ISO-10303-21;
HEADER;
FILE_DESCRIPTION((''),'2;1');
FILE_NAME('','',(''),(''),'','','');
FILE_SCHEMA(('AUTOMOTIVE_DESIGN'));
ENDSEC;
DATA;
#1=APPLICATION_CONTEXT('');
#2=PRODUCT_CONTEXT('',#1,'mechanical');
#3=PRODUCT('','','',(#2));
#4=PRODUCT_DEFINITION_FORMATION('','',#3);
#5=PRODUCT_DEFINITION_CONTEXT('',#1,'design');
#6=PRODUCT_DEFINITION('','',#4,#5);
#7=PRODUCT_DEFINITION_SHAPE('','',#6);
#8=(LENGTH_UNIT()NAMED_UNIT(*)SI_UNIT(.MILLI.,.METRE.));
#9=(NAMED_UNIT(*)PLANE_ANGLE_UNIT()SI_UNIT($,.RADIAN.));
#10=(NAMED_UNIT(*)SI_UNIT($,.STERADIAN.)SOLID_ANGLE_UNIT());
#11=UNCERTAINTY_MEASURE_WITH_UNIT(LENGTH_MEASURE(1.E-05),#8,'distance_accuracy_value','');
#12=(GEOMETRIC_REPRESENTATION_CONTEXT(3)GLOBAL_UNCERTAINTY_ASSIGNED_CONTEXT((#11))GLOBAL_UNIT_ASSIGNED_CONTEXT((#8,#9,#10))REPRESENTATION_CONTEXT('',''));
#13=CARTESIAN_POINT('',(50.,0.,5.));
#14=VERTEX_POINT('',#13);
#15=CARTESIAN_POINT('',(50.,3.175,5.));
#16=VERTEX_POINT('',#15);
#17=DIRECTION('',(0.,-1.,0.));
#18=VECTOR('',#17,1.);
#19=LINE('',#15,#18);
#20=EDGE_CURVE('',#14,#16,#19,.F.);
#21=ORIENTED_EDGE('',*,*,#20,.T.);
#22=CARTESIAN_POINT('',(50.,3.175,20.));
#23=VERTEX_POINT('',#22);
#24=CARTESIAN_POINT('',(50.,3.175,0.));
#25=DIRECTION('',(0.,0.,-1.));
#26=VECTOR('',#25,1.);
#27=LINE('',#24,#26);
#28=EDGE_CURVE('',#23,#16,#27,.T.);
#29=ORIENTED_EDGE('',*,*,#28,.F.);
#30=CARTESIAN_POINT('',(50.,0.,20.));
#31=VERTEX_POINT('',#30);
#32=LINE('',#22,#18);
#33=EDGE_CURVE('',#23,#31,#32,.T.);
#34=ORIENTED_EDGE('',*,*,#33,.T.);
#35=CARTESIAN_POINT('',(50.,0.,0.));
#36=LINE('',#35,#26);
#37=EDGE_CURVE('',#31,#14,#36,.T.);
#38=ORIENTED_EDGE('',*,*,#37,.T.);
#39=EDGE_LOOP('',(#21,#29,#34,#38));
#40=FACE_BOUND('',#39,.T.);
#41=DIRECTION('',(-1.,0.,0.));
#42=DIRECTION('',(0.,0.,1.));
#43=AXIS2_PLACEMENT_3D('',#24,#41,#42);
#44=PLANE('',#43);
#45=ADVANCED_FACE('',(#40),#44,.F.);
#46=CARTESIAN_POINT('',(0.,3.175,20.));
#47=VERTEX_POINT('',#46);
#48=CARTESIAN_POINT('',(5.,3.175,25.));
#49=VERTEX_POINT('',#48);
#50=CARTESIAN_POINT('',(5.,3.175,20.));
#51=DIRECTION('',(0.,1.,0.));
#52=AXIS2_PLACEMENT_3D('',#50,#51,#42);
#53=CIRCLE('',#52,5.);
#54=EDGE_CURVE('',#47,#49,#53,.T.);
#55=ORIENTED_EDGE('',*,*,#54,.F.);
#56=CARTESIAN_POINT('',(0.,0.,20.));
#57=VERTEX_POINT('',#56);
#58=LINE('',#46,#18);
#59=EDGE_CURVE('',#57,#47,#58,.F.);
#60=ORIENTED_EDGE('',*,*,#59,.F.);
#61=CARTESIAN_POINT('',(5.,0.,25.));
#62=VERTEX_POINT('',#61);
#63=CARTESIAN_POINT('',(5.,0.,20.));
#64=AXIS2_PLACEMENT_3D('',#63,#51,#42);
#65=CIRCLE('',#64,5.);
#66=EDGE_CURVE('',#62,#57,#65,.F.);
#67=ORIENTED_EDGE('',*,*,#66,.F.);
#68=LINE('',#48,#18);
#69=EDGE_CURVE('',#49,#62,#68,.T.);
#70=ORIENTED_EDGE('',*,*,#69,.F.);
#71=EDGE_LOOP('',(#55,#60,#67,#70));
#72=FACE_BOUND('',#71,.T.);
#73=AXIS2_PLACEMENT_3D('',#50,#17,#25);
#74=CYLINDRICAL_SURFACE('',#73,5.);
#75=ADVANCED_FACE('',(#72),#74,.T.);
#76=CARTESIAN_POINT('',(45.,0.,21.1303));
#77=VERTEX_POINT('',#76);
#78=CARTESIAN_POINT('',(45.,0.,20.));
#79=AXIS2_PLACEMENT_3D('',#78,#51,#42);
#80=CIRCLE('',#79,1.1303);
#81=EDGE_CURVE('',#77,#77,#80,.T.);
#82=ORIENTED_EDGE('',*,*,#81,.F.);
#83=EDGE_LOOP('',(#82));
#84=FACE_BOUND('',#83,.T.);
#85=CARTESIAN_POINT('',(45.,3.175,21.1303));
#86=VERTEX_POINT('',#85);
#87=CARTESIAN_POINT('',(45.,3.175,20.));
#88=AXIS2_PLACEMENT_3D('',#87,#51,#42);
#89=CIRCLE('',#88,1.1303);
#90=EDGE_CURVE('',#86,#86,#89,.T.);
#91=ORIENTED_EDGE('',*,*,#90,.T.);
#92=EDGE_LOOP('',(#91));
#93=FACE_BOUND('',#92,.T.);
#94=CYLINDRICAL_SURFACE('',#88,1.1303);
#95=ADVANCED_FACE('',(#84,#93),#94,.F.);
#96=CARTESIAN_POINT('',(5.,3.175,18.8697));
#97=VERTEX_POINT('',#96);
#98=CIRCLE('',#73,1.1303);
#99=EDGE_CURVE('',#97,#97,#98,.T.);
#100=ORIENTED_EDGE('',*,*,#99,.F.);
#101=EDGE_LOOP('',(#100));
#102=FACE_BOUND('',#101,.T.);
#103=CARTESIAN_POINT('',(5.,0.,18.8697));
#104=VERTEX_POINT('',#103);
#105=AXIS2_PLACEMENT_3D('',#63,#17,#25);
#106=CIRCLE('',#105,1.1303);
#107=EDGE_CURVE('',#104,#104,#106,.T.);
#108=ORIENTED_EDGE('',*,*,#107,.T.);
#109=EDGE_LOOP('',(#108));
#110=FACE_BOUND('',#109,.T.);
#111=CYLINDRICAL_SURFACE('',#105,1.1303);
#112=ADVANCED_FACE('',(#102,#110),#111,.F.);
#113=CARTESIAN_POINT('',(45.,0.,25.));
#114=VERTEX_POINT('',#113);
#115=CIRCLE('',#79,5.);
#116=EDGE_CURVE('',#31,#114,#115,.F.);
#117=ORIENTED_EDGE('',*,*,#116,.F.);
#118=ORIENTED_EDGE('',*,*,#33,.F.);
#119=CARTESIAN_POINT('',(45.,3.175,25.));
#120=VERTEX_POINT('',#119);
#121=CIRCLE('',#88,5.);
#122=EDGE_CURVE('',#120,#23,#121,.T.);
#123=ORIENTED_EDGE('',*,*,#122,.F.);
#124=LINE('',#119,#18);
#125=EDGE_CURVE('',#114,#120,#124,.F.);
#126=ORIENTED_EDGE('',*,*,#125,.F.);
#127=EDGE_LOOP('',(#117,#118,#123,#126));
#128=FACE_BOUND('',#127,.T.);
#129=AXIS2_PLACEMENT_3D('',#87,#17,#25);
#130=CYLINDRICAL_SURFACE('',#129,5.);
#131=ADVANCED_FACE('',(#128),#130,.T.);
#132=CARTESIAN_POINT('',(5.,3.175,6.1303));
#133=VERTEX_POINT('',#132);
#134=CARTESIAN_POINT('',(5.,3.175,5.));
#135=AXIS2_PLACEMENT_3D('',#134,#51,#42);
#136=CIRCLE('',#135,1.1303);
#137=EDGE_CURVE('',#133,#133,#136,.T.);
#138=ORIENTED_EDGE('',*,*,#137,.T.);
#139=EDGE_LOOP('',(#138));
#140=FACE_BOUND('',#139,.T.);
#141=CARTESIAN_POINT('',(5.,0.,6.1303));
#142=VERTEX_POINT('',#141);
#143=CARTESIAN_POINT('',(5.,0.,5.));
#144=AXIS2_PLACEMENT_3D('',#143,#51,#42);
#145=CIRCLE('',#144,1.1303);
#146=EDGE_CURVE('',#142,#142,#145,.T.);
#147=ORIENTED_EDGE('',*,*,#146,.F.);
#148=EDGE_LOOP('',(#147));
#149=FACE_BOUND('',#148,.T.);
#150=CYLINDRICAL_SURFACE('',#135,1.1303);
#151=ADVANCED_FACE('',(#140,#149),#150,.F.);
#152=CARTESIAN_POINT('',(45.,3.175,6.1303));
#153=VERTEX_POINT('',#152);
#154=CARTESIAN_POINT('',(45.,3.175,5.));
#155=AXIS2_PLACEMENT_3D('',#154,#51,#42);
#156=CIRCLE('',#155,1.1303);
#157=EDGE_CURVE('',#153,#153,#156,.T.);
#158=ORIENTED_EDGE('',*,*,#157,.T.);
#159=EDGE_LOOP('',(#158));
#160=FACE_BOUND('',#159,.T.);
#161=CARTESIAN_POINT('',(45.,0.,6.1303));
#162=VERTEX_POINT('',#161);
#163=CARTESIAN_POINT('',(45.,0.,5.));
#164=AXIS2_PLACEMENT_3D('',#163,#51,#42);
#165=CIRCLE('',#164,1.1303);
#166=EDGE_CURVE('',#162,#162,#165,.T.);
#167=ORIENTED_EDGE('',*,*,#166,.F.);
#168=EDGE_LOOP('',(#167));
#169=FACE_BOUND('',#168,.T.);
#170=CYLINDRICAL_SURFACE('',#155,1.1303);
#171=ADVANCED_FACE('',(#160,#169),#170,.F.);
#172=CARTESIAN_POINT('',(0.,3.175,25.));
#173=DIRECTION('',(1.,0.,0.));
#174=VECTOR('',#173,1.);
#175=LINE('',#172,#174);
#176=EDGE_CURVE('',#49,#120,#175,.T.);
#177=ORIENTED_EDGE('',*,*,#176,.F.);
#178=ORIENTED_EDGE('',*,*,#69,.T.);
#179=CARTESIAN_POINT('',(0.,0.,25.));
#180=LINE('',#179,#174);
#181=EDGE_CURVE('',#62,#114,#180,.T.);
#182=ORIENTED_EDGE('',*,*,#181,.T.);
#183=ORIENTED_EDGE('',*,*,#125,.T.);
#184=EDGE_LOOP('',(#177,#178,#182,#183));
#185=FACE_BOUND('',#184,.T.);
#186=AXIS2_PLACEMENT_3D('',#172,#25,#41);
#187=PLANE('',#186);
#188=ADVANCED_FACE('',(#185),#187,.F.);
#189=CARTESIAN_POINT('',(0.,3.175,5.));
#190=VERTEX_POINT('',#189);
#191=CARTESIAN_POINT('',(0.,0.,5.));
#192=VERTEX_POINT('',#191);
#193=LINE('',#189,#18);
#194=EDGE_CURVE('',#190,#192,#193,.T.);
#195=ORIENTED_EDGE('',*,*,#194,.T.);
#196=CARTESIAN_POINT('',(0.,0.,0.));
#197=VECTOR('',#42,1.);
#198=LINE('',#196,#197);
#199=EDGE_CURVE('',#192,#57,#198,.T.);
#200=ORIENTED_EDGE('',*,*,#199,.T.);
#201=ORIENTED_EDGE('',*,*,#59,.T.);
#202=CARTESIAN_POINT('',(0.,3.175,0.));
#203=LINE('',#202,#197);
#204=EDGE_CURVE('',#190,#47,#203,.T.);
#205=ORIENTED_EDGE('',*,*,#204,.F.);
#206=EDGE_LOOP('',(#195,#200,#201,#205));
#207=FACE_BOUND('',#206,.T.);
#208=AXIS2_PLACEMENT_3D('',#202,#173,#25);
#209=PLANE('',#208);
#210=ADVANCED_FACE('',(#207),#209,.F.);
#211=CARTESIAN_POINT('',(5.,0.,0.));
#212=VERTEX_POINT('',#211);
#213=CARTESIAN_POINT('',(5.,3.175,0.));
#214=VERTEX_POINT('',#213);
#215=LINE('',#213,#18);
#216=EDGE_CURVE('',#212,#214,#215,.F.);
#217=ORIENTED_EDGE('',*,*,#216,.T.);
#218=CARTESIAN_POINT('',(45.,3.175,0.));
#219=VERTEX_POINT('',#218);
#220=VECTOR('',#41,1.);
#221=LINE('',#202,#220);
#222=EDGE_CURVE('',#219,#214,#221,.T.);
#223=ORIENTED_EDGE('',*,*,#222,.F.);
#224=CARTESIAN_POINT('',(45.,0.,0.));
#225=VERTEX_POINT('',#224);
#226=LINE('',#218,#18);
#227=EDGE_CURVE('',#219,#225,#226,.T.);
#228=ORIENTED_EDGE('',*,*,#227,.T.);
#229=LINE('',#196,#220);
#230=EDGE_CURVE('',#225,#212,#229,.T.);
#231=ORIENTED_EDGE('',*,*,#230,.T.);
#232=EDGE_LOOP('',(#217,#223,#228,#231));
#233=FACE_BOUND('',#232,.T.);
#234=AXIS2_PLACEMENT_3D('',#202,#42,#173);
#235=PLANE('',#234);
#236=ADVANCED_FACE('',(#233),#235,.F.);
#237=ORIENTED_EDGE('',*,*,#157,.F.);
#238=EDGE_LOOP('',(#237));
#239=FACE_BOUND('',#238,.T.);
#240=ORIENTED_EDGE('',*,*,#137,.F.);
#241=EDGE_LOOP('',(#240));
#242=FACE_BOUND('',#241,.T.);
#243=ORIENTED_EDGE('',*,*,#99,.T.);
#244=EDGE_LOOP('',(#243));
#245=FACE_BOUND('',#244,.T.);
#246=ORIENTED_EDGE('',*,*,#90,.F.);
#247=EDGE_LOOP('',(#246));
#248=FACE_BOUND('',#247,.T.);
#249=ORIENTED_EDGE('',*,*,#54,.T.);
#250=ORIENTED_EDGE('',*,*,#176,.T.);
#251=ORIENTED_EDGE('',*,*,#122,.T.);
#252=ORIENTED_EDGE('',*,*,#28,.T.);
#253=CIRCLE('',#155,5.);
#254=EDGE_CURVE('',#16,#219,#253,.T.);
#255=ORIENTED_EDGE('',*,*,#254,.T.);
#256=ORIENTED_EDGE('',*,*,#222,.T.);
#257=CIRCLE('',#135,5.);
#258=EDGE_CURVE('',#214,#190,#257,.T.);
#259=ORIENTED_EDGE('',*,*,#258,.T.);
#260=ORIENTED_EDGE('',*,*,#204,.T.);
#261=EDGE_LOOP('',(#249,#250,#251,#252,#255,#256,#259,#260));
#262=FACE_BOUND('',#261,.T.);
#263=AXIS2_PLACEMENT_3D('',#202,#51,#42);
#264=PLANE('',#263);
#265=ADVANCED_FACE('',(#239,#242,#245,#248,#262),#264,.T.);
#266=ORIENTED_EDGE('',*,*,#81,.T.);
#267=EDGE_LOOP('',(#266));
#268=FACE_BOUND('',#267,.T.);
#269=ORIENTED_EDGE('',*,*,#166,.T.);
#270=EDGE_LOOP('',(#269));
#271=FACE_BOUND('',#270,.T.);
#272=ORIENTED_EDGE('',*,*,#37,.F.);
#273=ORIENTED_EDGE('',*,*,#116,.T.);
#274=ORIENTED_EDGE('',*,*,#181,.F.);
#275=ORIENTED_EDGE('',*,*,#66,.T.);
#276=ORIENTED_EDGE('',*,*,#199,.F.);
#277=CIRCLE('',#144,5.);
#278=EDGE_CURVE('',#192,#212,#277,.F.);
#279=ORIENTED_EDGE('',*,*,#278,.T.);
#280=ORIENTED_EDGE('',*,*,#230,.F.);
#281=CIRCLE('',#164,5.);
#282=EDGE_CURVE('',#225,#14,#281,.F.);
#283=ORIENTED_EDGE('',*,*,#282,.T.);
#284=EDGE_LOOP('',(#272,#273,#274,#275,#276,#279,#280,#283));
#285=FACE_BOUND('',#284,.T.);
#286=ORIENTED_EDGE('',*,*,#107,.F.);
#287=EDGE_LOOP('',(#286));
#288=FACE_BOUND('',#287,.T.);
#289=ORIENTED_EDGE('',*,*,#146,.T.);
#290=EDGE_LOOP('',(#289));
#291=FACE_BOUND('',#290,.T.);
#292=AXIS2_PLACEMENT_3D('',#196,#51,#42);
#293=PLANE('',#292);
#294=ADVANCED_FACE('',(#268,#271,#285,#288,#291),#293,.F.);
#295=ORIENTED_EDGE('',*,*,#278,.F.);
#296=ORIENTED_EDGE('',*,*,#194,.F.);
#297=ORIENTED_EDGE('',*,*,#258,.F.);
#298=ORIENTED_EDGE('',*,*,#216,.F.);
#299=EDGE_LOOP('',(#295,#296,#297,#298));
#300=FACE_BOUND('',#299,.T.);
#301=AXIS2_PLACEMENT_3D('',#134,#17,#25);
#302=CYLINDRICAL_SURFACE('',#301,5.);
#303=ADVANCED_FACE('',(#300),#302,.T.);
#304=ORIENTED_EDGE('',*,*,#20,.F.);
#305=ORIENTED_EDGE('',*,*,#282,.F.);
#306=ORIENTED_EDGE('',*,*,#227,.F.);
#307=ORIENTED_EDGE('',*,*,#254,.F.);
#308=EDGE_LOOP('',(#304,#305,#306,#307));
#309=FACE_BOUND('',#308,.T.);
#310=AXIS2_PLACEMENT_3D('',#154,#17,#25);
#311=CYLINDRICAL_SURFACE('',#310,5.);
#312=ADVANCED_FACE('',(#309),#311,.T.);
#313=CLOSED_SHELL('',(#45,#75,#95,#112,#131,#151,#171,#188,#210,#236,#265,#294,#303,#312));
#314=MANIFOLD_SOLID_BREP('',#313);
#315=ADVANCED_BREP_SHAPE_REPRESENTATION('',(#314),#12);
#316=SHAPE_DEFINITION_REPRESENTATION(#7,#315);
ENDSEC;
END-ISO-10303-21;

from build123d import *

# Parameters (mm, degrees)
SKETCH1_W                       = 50
SKETCH1_H                       = 25
SKETCH1_R                       = 1.13
BOSS_EXTRUDE1_DEPTH             = 3.175
FILLET1_R                       = 5
F_4_40_TAPPED_HOLE1_D           = 2.2606
F_4_40_TAPPED_HOLE1_ON_FACE_2_D = 2.2606


with BuildPart() as part:
    # Sketch1 → Boss-Extrude1 (new body)
    with BuildSketch(Plane(origin=(0, 0, 0), x_dir=(1, 0, 0), z_dir=(0, 1, 0))):
        with Locations((25, -12.5)):
            Rectangle(SKETCH1_W, SKETCH1_H)
        with Locations(Location((5, -5, 0), (0, 0, 270))):
            Circle(SKETCH1_R, mode=Mode.SUBTRACT)
        with Locations(Location((45, -5, 0), (0, 0, 270))):
            Circle(SKETCH1_R, mode=Mode.SUBTRACT)
        with Locations(Location((45, -20, 0), (0, 0, 270))):
            Circle(SKETCH1_R, mode=Mode.SUBTRACT)
        with Locations(Location((5, -20, 0), (0, 0, 270))):
            Circle(SKETCH1_R, mode=Mode.SUBTRACT)
    extrude(amount=BOSS_EXTRUDE1_DEPTH)

    # Fillet1
    fillet1_edges = [part.edges().sort_by_distance(p)[0] for p in [
        (0, 1.5875, 0),
        (50, 1.5875, 0),
        (50, 1.5875, 25),
        (0, 1.5875, 25),
    ]]
    fillet(fillet1_edges, radius=FILLET1_R)

    # #4-40 Tapped Hole1 (through all)
    with Locations(Plane(origin=(5, 3.175, 5), x_dir=(0, 0, 1), z_dir=(0, 1, 0))):
        with Locations((0, 0), (0, 40), (15, 40)):
            Hole(F_4_40_TAPPED_HOLE1_D / 2)

    # #4-40 Tapped Hole1 on face 2 (through all)
    with Locations(Plane(origin=(5, 0, 20), x_dir=(0, 0, 1), z_dir=(0, 1, 0))):
        with Locations((0, 0)):
            Hole(F_4_40_TAPPED_HOLE1_ON_FACE_2_D / 2)


solid = part.part
